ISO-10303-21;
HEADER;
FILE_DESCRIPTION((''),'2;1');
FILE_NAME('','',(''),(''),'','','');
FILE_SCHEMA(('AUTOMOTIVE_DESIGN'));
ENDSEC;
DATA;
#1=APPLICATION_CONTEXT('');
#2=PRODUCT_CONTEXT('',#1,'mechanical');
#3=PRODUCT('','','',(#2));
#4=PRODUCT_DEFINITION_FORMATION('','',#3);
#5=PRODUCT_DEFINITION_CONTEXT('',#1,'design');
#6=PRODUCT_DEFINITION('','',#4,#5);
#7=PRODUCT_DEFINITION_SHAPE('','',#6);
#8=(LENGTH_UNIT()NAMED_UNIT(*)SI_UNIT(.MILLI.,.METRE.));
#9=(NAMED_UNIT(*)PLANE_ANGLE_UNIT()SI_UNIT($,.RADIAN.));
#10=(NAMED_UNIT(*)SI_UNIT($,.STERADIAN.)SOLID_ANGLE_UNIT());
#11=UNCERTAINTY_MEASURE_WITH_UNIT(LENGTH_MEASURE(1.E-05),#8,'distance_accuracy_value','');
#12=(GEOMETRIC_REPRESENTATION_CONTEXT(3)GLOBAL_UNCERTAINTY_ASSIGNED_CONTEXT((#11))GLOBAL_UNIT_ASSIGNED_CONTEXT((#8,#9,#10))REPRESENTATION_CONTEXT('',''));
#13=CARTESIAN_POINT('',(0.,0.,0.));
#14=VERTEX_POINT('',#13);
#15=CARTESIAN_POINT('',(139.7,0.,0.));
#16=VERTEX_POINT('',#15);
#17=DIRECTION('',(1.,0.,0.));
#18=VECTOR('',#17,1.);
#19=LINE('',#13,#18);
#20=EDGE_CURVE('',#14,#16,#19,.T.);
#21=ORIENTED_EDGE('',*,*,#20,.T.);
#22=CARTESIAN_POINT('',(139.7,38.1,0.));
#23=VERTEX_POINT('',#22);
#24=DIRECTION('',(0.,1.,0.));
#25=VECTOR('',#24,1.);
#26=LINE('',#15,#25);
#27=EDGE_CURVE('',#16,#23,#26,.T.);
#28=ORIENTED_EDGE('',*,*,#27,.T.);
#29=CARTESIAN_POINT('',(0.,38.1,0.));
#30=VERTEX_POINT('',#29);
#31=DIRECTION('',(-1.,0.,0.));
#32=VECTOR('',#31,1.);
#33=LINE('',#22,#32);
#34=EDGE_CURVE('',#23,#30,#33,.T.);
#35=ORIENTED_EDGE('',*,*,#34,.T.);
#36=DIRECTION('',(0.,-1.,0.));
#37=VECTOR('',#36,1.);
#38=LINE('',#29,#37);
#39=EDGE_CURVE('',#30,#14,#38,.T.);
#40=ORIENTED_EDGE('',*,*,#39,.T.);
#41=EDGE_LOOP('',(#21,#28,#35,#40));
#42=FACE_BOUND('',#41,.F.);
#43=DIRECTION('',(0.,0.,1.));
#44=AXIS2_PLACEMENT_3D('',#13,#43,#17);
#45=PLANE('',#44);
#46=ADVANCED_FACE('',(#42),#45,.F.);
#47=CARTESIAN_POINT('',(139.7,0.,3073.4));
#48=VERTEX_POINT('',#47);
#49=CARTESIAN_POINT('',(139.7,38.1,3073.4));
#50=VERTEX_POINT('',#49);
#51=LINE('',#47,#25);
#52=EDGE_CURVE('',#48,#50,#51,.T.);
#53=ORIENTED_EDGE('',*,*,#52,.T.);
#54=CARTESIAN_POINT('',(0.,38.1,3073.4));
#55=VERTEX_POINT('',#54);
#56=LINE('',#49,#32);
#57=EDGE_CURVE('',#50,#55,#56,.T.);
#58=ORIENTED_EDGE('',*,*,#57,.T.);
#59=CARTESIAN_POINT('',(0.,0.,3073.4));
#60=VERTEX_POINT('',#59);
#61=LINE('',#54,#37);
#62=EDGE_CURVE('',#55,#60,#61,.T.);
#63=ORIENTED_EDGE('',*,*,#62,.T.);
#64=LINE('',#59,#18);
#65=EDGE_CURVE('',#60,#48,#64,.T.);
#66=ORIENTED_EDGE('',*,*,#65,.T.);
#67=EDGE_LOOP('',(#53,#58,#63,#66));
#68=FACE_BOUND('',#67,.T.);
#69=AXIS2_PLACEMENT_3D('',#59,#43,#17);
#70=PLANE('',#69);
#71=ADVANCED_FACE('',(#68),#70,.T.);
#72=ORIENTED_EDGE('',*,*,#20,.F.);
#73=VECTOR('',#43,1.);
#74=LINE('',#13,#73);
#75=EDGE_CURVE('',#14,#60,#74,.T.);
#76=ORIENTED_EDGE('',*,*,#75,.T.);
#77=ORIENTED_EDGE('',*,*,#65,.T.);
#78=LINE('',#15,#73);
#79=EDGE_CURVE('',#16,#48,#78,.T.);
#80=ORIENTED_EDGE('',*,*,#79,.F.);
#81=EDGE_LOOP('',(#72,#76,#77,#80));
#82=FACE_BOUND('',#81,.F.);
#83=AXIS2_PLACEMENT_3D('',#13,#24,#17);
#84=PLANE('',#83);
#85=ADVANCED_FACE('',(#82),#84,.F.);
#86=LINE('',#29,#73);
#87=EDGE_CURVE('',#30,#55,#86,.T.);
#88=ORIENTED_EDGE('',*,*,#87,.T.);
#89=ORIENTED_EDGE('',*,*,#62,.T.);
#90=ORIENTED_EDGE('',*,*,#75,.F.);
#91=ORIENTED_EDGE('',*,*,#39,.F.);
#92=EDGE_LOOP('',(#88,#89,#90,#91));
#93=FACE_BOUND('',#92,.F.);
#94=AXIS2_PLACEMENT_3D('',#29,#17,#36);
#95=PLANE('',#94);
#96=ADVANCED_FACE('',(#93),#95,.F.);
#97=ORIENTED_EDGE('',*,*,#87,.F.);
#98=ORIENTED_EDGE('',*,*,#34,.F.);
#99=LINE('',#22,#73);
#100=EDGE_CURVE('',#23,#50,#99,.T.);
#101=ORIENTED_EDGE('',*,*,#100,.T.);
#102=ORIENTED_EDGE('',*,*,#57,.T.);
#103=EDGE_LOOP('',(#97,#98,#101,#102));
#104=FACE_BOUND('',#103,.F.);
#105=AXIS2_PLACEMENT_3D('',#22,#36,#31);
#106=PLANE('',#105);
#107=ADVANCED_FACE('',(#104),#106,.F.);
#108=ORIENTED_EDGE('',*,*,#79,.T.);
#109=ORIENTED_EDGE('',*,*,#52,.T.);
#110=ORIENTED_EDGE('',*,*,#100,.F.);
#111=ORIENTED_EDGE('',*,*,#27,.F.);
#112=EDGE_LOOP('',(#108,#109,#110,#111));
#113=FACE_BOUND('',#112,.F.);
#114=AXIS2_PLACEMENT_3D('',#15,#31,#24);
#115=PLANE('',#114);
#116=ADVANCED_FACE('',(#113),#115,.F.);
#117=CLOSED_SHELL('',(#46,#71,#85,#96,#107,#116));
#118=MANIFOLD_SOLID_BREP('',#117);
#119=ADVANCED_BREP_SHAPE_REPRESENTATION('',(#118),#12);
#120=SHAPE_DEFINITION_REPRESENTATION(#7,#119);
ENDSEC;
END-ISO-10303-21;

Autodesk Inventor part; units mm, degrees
ref_plane "YZ Plane" through (0, 0, 0) normal (1, 0, 0) x (0, 1, 0)
ref_plane "XZ Plane" through (0, 0, 0) normal (0, 1, 0) x (-1, 0, 0)
ref_plane "XY Plane" through (0, 0, 0) normal (0, 0, 1) x (1, 0, 0)
sketch "Sketch1" plane through (0, 0, 0) normal (0, 0, 1) x (1, 0, 0)
  line L0 (0, 0) -> (139.7, 0)
  line L1 (139.7, 0) -> (139.7, 38.1)
  line L2 (139.7, 38.1) -> (0, 38.1)
  line L3 (0, 38.1) -> (0, 0)
  dimension "d0" = 139.7
  dimension "d1" = 38.1
extrude "Extrusion1" add sketch "Sketch1" along normal blind 3073.4
properties part number "Bottom_Plate_With_Length_121_Inches" material "Wood (Birch)"
